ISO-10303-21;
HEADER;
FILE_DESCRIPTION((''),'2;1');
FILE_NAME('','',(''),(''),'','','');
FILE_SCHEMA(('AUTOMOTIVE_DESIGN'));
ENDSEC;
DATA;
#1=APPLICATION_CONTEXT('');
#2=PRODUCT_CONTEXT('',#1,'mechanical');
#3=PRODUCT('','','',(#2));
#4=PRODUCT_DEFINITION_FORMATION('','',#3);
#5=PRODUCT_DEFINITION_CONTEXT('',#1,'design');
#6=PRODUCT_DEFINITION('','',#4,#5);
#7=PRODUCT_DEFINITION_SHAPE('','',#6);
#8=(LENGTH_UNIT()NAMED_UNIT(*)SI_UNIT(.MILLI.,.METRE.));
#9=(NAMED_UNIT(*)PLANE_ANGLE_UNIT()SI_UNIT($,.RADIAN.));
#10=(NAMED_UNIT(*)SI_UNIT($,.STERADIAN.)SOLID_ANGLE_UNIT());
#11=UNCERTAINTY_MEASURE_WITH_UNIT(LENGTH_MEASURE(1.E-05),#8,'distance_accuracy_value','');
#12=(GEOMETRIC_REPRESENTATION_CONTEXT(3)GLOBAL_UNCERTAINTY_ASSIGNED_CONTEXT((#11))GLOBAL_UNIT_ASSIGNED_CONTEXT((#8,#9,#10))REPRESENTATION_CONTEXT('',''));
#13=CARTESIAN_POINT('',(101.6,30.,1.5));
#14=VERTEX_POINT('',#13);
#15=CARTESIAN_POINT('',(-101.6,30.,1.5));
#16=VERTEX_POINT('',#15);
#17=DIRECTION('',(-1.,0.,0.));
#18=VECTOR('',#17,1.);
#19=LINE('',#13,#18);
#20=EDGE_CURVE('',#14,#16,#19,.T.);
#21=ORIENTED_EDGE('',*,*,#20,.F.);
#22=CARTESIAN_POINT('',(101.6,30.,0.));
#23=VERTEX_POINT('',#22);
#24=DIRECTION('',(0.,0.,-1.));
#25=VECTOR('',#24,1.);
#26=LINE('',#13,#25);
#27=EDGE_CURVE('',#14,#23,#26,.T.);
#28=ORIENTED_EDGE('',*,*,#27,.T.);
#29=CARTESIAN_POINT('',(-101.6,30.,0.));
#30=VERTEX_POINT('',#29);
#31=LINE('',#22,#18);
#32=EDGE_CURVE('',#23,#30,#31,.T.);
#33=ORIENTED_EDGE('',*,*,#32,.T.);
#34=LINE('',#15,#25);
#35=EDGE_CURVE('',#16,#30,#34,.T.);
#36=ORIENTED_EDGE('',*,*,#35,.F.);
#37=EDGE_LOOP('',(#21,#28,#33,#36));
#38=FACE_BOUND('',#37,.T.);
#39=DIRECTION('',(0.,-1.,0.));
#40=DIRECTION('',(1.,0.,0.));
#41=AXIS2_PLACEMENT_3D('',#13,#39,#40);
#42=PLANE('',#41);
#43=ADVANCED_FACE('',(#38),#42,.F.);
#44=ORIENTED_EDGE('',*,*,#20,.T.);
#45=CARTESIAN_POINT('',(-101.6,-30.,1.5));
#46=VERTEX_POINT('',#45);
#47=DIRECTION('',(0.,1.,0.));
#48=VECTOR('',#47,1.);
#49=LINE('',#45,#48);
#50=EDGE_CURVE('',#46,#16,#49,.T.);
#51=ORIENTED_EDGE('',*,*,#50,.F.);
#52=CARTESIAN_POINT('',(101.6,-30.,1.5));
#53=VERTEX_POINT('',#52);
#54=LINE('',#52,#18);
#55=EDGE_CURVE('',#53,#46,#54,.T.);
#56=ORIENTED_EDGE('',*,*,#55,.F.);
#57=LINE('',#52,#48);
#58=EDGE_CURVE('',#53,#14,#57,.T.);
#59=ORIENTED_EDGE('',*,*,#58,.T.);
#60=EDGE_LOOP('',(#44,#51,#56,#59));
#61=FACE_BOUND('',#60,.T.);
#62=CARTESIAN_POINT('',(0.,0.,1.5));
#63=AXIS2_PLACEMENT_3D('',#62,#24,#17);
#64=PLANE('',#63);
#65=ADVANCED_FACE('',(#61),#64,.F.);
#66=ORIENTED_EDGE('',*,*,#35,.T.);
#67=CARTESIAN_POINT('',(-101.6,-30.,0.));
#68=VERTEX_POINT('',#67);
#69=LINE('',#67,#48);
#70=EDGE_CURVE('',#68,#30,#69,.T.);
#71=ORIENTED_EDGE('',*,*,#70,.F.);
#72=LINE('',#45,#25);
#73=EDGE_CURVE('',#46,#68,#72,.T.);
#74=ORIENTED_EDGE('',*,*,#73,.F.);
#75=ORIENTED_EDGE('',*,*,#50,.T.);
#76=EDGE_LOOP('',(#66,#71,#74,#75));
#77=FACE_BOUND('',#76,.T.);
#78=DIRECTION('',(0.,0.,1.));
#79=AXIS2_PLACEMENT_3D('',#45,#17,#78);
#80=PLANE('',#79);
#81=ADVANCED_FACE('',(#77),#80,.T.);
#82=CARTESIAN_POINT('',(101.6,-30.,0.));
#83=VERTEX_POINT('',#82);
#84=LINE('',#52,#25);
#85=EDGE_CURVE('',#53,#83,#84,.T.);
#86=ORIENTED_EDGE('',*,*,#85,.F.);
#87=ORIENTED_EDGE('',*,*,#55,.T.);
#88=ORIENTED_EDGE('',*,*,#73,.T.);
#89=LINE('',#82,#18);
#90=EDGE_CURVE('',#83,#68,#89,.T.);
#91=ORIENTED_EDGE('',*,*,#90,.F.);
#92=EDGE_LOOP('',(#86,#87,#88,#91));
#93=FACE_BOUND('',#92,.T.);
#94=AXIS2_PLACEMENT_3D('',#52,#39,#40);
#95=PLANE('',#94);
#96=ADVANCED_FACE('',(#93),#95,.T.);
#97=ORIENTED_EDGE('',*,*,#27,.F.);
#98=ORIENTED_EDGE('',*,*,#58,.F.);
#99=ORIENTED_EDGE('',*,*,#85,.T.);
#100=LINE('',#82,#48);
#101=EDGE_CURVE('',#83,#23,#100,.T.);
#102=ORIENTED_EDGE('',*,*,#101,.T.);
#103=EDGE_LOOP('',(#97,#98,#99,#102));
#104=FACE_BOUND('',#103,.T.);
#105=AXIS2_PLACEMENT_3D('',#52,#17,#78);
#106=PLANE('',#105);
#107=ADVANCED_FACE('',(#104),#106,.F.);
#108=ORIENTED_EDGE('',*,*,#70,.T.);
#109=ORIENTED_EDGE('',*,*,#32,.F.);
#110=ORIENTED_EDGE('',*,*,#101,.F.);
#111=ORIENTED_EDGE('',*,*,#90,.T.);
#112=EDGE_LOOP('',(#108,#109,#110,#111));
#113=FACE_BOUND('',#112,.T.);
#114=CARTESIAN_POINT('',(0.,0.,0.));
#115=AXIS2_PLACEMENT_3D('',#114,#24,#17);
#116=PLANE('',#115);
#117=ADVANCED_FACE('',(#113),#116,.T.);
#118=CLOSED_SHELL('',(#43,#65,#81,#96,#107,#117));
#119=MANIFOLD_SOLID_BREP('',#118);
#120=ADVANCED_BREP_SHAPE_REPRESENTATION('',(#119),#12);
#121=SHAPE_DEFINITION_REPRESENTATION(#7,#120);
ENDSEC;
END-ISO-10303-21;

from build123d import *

# Parameters (mm, degrees)
SKETCH1_W           = 203.2
SKETCH1_H           = 60
BOSS_EXTRUDE1_DEPTH = 1.5


with BuildPart() as part:
    # Sketch1 → Boss-Extrude1 (new body)
    with BuildSketch(Plane.XY):
        Rectangle(SKETCH1_W, SKETCH1_H)
    extrude(amount=BOSS_EXTRUDE1_DEPTH)


solid = part.part
